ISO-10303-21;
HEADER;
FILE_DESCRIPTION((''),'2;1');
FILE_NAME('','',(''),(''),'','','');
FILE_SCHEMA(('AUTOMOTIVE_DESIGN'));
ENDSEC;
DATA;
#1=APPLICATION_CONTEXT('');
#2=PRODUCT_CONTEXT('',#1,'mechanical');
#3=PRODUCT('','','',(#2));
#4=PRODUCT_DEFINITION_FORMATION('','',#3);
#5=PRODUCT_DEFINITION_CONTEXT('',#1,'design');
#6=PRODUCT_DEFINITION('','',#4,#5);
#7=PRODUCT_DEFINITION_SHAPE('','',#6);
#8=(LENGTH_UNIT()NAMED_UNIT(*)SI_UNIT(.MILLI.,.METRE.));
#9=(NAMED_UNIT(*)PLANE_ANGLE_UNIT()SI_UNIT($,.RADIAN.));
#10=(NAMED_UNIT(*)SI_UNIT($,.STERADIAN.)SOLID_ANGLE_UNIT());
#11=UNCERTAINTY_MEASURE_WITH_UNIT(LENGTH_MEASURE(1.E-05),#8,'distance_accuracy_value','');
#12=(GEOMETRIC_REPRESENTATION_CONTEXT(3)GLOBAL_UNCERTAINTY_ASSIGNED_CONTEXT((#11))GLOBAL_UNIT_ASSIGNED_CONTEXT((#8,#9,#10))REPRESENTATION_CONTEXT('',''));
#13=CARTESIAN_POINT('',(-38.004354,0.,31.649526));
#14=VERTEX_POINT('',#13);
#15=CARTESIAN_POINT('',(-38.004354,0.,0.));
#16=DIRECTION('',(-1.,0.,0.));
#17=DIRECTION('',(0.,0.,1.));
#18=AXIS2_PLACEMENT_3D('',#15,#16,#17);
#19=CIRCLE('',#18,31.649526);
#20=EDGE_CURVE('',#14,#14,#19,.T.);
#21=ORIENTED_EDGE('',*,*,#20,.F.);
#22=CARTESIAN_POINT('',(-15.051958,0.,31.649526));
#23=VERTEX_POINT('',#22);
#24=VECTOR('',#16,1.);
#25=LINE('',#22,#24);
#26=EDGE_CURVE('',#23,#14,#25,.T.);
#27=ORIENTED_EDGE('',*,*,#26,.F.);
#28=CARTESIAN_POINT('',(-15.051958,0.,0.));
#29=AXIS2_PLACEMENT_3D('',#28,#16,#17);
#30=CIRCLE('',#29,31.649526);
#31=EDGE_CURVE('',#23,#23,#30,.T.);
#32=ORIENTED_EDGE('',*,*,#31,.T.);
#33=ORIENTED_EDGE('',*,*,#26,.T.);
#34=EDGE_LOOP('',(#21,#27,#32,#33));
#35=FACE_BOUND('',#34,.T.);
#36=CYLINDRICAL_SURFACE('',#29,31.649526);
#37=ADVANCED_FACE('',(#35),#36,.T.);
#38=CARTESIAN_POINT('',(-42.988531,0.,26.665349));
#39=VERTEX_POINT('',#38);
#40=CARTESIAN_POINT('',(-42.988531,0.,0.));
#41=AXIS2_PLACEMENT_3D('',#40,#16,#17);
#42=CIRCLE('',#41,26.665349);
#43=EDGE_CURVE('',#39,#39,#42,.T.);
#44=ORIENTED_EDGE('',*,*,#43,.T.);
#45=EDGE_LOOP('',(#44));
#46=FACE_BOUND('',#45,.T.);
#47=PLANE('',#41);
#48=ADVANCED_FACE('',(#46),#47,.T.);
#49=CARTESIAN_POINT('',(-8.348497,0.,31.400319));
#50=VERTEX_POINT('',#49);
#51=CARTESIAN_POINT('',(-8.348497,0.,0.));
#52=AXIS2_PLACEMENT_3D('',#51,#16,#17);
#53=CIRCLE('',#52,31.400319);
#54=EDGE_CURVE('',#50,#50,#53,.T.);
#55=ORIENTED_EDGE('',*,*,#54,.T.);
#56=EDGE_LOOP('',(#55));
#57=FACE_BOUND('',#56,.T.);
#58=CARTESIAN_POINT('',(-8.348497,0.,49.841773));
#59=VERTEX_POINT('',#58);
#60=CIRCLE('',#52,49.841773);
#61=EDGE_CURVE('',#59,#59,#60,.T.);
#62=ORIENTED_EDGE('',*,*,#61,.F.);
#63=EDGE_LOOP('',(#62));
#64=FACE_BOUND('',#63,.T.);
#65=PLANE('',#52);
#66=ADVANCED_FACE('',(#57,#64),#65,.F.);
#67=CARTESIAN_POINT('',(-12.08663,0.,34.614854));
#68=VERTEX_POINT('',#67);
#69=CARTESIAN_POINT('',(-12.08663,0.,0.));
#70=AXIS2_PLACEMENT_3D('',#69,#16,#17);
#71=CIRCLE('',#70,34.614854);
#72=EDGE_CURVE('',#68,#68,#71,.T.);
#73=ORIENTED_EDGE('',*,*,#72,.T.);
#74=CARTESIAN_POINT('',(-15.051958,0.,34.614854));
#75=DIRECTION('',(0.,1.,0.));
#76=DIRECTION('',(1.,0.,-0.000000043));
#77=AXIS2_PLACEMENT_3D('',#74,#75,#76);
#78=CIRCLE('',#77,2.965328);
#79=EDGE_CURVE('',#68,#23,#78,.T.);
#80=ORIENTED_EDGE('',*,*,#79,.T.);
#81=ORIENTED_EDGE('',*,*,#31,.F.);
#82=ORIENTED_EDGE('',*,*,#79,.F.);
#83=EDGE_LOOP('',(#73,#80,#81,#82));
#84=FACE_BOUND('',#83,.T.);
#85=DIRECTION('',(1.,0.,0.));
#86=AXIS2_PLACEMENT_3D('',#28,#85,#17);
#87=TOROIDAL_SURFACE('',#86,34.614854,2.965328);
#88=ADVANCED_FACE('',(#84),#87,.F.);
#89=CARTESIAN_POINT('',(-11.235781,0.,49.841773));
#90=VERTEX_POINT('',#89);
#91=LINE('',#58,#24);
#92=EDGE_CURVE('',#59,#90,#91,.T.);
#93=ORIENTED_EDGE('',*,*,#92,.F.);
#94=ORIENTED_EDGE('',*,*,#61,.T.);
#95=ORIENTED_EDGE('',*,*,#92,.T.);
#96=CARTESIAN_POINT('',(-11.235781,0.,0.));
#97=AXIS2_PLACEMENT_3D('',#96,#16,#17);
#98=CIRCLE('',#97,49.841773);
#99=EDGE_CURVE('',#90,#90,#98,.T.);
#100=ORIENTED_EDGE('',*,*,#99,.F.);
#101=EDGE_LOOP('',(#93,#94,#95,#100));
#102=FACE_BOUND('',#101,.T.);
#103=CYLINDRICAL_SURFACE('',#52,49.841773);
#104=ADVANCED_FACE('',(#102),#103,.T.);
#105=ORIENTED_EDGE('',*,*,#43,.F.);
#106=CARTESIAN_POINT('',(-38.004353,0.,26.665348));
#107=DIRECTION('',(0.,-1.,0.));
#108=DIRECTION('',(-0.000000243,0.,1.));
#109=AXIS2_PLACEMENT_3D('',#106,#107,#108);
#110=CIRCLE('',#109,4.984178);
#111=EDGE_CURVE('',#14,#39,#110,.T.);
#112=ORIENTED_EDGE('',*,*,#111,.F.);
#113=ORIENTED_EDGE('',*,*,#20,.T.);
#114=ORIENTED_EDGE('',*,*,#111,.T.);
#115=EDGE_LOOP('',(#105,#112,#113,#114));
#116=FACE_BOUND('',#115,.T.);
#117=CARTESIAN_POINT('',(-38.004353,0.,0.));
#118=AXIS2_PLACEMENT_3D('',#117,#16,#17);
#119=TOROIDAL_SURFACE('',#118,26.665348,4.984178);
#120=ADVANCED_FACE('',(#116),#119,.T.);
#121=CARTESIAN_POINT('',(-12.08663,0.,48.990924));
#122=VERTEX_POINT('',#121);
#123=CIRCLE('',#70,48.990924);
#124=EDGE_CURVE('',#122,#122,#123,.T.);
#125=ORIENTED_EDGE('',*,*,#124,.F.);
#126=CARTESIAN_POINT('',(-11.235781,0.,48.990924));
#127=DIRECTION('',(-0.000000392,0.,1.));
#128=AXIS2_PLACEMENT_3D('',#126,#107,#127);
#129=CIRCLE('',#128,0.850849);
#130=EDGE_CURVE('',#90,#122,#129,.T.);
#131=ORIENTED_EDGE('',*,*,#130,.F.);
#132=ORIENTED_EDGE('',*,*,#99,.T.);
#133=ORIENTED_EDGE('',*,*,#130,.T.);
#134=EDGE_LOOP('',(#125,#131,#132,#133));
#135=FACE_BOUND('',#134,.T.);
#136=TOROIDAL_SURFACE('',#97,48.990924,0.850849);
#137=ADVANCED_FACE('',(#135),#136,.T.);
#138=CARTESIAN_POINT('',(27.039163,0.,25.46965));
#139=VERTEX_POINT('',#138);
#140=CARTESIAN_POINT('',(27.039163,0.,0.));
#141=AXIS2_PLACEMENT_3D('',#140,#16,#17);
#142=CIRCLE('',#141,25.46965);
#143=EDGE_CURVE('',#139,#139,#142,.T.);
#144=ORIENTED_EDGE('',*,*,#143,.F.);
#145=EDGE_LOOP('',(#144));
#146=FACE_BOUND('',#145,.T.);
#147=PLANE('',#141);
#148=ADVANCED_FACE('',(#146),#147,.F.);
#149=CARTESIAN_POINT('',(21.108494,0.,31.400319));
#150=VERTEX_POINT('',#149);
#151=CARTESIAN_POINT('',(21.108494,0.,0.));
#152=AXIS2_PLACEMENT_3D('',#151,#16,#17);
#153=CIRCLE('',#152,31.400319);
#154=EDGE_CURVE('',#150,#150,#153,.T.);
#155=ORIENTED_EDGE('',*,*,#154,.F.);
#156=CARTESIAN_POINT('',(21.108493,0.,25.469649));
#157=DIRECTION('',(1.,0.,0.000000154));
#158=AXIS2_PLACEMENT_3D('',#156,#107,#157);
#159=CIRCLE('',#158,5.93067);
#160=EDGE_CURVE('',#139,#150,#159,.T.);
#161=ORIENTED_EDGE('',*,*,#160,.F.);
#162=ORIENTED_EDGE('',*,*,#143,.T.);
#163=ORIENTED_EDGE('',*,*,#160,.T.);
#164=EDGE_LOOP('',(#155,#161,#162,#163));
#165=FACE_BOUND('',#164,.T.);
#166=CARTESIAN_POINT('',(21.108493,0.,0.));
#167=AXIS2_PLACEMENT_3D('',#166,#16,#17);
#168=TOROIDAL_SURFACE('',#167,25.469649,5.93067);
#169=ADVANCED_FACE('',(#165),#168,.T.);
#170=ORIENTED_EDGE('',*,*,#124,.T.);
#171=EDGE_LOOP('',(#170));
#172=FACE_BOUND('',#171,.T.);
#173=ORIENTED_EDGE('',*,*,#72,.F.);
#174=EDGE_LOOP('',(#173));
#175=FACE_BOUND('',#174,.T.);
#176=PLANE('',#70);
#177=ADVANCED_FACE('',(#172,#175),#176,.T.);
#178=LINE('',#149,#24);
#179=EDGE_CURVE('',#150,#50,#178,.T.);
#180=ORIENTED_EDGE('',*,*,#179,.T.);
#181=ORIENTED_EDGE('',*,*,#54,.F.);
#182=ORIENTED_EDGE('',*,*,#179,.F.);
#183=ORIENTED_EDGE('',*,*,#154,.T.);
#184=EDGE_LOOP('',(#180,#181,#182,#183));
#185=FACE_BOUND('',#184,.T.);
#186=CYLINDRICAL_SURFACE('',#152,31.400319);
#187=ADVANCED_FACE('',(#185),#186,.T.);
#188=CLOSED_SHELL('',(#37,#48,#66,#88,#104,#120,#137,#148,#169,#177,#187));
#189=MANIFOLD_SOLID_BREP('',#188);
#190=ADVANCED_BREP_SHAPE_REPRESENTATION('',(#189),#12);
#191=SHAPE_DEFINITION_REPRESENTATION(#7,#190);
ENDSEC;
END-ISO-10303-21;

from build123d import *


with BuildPart() as f1:
    # F0 (on Front) → F1 (revolve)
    with BuildSketch(Plane.XZ):
        with BuildLine():
            Line((-42.988531, 26.665349), (-42.988531, 0))
            Line((-42.988531, 0), (27.039163, 0))
            Line((27.039163, 0), (27.039163, 25.46965))
            ThreePointArc((27.039163, 25.46965), (25.30211, 29.663266), (21.108494, 31.400319))
            Line((21.108494, 31.400319), (-8.348497, 31.400319))
            Line((-8.348497, 31.400319), (-8.348497, 49.841773))
            Line((-8.348497, 49.841773), (-11.235781, 49.841773))
            ThreePointArc((-11.235781, 49.841773), (-11.837422, 49.592565), (-12.08663, 48.990924))
            Line((-12.08663, 48.990924), (-12.08663, 34.614854))
            ThreePointArc((-12.08663, 34.614854), (-12.955154, 32.518051), (-15.051958, 31.649526))
            Line((-15.051958, 31.649526), (-38.004354, 31.649526))
            ThreePointArc((-38.004354, 31.649526), (-41.528699, 30.189694), (-42.988531, 26.665349))
        make_face()
    revolve(axis=Axis((-7.974684, 0, 0), (-1, 0, 0)))


solid = f1.part
